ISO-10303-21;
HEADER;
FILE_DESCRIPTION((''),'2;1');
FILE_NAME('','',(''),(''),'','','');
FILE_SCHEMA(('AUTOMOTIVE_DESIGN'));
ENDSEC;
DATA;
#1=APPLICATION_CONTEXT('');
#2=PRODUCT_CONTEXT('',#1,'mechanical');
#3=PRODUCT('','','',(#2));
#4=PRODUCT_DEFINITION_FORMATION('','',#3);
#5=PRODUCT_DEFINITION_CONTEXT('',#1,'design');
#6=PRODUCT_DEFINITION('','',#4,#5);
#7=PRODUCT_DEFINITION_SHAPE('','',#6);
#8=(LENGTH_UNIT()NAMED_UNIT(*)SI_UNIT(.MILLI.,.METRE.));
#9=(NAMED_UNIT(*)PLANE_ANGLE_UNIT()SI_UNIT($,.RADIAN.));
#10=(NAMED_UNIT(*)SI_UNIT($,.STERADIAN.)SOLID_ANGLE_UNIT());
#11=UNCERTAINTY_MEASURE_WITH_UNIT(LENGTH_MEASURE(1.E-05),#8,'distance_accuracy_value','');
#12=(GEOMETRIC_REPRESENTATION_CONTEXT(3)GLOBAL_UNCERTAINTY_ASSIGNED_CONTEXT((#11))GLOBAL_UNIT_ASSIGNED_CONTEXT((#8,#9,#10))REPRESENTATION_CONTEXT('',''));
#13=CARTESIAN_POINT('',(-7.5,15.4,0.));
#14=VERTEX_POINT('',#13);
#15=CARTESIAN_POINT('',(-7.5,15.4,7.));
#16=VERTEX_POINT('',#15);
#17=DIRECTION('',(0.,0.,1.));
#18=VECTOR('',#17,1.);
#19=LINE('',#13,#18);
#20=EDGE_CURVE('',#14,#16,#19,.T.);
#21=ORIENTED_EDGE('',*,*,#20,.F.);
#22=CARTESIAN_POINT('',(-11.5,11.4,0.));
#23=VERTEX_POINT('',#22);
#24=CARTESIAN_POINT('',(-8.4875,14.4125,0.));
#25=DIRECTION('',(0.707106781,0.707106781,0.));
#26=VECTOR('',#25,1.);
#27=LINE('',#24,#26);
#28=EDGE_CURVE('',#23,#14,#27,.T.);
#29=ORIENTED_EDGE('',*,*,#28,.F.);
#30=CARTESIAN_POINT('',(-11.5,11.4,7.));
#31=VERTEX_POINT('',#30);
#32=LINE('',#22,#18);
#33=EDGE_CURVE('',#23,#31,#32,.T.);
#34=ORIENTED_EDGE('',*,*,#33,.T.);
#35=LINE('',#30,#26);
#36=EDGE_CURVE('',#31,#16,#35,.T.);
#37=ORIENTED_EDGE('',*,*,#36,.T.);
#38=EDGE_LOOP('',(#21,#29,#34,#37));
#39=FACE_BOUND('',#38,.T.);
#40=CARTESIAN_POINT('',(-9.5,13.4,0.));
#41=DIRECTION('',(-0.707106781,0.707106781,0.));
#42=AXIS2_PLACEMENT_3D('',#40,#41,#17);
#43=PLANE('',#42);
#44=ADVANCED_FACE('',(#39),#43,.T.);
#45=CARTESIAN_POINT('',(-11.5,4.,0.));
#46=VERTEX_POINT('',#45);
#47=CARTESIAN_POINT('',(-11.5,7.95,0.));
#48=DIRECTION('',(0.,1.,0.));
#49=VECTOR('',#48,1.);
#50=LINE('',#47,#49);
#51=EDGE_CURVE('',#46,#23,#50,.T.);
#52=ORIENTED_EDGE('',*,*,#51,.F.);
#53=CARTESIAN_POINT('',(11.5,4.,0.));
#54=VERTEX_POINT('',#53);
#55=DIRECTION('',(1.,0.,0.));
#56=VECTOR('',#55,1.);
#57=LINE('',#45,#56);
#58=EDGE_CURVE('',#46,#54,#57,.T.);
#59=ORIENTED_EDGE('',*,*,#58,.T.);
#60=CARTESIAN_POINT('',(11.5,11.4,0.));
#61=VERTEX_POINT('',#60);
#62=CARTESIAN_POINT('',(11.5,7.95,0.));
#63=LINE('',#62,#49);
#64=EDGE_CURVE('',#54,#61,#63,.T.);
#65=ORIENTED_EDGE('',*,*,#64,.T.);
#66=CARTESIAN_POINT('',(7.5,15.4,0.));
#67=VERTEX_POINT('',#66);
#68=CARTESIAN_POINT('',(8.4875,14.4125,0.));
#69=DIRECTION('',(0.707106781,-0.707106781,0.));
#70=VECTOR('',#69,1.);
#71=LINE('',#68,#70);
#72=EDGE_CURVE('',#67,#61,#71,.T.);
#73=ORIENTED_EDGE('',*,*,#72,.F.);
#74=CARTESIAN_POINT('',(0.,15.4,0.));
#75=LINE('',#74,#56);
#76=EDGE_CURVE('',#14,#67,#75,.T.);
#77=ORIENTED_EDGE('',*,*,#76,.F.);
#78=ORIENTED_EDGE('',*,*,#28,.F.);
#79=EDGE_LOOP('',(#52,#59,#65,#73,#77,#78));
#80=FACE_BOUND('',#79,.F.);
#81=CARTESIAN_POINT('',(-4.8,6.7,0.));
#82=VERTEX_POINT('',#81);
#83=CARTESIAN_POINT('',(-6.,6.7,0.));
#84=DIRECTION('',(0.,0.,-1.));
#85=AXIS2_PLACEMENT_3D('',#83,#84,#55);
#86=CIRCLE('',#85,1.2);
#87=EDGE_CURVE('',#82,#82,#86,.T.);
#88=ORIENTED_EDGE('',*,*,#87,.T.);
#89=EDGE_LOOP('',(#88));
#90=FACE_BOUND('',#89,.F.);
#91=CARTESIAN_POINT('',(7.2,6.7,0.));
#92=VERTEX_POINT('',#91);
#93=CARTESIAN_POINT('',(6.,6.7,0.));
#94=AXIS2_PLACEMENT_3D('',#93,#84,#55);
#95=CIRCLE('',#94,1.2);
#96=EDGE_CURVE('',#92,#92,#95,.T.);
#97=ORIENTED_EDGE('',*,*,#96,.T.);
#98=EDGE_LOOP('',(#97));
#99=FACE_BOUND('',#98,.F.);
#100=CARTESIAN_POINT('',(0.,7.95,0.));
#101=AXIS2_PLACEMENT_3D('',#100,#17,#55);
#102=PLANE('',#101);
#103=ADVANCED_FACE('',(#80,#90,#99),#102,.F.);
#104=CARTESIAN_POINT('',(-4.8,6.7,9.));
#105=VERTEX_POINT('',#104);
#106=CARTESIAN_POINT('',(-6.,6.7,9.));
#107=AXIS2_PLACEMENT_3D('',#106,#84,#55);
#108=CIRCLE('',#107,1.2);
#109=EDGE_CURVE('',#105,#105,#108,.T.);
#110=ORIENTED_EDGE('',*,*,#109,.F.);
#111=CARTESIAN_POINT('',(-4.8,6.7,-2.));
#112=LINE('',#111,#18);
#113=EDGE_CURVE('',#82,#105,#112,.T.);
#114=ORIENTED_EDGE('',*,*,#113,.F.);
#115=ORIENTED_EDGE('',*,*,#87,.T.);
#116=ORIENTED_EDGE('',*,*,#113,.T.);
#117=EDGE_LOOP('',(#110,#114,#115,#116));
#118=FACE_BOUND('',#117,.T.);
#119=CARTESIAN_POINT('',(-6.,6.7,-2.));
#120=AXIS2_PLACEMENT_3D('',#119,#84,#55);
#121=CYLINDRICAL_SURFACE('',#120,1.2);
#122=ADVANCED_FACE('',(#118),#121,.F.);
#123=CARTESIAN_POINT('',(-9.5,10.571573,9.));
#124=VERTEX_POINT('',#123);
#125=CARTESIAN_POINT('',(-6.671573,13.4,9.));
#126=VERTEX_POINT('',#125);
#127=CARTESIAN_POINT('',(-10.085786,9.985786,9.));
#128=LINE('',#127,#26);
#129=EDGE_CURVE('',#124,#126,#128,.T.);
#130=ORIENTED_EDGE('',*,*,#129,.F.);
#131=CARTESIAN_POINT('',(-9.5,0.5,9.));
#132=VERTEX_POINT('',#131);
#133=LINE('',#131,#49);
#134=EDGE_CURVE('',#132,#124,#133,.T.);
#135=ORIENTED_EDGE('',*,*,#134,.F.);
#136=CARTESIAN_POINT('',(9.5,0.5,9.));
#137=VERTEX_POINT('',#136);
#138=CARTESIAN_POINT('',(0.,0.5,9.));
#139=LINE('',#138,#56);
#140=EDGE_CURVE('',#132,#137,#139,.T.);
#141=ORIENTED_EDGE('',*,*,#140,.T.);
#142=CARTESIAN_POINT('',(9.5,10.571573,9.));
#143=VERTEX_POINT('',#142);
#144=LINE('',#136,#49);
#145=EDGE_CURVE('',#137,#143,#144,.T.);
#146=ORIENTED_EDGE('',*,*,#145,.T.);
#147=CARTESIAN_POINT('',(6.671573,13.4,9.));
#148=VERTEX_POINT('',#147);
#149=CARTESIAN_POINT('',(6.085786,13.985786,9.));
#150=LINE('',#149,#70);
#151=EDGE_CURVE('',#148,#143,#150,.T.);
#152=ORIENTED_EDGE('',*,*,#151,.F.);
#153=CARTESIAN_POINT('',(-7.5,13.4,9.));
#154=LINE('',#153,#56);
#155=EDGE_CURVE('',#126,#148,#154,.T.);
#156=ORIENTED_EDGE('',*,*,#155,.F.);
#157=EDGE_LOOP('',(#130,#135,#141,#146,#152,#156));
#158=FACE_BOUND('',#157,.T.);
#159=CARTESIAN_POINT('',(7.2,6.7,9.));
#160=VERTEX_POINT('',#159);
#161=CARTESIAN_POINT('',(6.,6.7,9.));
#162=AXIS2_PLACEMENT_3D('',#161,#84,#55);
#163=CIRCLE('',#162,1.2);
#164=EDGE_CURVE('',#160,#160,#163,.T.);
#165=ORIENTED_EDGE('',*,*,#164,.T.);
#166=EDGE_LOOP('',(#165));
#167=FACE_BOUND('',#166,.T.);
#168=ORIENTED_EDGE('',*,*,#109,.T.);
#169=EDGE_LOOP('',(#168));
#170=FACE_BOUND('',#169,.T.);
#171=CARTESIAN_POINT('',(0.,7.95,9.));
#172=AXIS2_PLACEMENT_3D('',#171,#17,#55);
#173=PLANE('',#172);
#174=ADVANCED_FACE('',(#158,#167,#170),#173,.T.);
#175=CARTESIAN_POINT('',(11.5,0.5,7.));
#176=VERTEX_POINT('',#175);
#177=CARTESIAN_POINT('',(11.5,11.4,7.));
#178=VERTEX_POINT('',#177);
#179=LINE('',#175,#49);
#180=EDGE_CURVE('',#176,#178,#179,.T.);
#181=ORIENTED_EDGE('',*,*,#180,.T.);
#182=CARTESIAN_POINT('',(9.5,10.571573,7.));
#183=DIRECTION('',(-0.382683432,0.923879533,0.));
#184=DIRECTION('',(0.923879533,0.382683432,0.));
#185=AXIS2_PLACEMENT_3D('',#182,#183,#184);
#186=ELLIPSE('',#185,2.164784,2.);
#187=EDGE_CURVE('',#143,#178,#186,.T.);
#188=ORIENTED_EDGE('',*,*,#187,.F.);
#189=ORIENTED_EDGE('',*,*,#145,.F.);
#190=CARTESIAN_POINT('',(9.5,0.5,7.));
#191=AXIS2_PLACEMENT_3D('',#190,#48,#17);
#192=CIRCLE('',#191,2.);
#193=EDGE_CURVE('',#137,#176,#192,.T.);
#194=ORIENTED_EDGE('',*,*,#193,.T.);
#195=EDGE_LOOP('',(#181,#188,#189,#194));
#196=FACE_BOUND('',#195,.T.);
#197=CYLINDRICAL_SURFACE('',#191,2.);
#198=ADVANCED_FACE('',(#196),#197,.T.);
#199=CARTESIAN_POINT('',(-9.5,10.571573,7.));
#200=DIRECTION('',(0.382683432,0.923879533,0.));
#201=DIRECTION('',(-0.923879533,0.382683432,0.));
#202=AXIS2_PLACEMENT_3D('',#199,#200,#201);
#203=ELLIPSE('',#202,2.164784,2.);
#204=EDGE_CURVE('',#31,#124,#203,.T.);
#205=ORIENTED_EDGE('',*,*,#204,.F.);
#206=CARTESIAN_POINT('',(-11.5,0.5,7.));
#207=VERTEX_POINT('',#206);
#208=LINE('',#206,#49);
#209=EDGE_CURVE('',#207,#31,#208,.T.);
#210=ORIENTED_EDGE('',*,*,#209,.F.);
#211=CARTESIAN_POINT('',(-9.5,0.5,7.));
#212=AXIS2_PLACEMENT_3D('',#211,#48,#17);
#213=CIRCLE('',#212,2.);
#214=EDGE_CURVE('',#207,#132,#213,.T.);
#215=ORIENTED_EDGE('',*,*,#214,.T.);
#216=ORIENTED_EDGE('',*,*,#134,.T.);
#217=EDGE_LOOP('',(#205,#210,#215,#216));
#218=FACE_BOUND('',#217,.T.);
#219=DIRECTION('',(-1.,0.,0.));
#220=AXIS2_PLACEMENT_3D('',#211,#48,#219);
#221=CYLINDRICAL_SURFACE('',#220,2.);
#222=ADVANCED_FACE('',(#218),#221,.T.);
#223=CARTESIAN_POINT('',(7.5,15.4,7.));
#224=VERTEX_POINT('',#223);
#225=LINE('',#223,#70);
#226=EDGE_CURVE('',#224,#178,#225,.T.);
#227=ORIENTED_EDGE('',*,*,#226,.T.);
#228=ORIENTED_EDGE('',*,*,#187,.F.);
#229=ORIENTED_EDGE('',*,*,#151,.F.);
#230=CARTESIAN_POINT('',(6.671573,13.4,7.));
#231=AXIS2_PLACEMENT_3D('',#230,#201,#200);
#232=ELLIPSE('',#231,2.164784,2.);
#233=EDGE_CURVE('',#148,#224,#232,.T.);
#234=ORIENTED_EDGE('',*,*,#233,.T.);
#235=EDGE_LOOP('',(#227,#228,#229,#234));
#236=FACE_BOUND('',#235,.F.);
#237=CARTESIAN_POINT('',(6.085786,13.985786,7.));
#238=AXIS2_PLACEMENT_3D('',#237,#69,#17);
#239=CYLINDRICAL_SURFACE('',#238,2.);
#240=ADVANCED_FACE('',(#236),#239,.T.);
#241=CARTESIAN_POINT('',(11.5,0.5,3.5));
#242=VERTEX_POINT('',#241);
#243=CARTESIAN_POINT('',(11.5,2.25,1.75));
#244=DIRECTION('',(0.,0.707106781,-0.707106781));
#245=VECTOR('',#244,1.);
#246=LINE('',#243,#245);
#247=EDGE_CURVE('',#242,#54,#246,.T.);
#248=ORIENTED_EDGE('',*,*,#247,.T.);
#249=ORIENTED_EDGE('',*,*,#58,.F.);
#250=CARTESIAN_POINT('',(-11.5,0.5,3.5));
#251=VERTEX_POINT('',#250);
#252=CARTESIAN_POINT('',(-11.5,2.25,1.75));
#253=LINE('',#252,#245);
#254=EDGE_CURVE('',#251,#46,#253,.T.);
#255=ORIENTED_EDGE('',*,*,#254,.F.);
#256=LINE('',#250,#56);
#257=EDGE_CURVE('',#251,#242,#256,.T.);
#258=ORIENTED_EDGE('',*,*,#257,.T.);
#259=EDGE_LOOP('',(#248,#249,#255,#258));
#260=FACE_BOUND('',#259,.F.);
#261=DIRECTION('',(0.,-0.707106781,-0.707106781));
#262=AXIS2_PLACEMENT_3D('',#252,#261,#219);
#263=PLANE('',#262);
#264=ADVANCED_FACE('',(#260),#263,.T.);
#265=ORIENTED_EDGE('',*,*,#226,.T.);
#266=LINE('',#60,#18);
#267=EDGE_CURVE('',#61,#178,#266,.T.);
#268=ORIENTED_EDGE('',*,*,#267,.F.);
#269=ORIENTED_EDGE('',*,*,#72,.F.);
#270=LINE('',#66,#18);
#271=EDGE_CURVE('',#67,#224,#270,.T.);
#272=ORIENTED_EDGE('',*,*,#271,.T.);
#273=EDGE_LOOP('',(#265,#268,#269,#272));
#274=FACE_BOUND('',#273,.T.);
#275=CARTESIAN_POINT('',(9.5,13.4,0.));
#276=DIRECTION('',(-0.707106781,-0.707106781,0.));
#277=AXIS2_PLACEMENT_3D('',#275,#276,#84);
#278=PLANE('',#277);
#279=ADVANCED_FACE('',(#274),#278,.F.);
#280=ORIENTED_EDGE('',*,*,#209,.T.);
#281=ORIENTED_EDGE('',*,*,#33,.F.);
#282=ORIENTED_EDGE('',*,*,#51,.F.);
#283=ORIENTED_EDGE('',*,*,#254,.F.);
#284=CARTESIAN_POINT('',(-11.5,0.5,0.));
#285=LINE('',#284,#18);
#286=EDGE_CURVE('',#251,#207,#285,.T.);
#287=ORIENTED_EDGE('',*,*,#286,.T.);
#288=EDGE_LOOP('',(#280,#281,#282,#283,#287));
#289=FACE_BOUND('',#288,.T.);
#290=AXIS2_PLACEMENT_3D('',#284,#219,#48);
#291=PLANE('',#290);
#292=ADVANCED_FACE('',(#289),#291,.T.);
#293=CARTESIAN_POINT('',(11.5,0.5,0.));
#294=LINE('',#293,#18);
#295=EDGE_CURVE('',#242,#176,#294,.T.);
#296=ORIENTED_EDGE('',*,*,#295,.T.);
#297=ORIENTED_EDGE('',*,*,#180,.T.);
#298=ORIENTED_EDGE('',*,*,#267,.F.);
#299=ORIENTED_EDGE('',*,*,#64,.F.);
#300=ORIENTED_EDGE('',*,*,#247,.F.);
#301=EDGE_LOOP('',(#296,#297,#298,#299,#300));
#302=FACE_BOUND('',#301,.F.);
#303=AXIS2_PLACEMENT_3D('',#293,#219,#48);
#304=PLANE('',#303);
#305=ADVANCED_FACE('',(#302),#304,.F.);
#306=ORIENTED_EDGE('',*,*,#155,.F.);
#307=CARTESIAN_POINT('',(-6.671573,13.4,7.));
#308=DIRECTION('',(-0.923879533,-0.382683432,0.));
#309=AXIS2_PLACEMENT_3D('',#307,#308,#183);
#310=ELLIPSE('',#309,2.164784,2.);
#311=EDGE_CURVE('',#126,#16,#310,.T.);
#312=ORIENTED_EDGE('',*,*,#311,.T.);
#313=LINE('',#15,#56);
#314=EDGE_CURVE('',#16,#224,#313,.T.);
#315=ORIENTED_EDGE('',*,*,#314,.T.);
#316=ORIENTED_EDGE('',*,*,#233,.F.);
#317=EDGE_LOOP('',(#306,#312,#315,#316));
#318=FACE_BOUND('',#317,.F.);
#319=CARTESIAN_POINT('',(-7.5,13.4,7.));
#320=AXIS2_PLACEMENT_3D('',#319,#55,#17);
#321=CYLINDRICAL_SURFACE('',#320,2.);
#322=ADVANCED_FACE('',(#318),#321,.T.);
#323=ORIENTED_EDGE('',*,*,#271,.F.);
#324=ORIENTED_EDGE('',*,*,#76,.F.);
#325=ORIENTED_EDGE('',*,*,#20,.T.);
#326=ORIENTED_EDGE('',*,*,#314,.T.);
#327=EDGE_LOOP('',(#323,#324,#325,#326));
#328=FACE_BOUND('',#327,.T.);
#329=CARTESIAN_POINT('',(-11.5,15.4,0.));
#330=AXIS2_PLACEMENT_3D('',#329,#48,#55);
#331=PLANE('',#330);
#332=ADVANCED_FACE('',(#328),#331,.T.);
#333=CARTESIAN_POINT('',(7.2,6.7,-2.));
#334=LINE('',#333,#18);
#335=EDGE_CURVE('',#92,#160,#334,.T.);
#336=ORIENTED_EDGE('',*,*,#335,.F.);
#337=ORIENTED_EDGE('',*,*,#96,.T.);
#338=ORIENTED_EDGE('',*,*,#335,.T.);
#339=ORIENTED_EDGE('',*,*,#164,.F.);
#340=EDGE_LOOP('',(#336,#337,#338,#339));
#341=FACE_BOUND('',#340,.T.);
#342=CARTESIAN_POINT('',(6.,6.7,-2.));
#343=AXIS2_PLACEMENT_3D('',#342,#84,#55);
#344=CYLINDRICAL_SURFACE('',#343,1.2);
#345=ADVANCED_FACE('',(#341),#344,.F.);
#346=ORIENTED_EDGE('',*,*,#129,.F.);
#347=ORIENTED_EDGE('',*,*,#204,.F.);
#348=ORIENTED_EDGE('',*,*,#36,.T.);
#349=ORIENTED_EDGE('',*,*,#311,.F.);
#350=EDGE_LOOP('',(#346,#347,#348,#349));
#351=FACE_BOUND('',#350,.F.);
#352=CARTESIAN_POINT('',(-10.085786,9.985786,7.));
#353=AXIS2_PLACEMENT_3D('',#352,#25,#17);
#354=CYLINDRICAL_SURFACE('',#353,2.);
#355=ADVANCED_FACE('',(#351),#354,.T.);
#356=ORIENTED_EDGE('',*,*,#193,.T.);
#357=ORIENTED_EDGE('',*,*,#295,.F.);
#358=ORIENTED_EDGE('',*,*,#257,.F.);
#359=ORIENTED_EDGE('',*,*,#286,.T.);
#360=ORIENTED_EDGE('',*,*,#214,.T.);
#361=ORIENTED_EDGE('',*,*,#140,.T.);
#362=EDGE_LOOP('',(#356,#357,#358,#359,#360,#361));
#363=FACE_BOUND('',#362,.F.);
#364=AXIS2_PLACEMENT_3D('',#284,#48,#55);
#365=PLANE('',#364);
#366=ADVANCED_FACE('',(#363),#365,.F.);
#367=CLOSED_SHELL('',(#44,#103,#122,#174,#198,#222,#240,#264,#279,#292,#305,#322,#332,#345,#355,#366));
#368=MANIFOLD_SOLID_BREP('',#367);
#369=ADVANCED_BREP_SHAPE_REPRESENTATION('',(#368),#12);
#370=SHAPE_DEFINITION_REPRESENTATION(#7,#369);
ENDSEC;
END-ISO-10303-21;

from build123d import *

# Parameters (mm, degrees)
CYLINDER010_R     = 1.2
CYLINDER010_DEPTH = 28
CYLINDER011_R     = 1.2
CYLINDER011_DEPTH = 28
BOX_W             = 23
BOX_H             = 14.9
BOX_DEPTH         = 9
CHAMFER005_SIZE   = 3.5
CHAMFER006_SIZE   = 4
FILLET_R          = 2


with BuildPart() as cylinder010:
    # Cylinder010 → Cylinder010 (new body)
    with BuildSketch(Plane(origin=(-6, 6.7, 0), x_dir=(1, 0, 0), z_dir=(0, 0, 1))):
        Circle(CYLINDER010_R)
    extrude(amount=CYLINDER010_DEPTH)


with BuildPart() as fusion004003:
    # Cylinder011 → Cylinder011 (new body)
    with BuildSketch(Plane(origin=(6, 6.7, 0), x_dir=(1, 0, 0), z_dir=(0, 0, 1))):
        Circle(CYLINDER011_R)
    extrude(amount=CYLINDER011_DEPTH)

    # Fusion004003: union Cylinder010
    add(cylinder010.part)


with BuildPart() as fusion004003_1:
    # Fusion004003 placement: moved
    add(fusion004003.part.moved(Location((0, 0, -2))))


with BuildPart() as top_rf:
    # Box → Box (new body)
    with BuildSketch(Plane(origin=(-11.5, 0.5, 0), x_dir=(1, 0, 0), z_dir=(0, 0, 1))):
        with Locations((11.5, 7.45)):
            Rectangle(BOX_W, BOX_H)
    extrude(amount=BOX_DEPTH)

    # Chamfer005
    chamfer005_edges = [top_rf.edges().sort_by_distance(p)[0] for p in [
        (0, 0.5, 0),
    ]]
    chamfer(chamfer005_edges, length=CHAMFER005_SIZE)

    # Chamfer006
    chamfer006_edges = [top_rf.edges().sort_by_distance(p)[0] for p in [
        (-11.5, 15.4, 4.5),
        (11.5, 15.4, 4.5),
    ]]
    chamfer(chamfer006_edges, length=CHAMFER006_SIZE)

    # Fillet
    fillet_edges = [top_rf.edges().sort_by_distance(p)[0] for p in [
        (-11.5, 5.95, 9),
        (-9.5, 13.4, 9),
        (0, 15.4, 9),
        (11.5, 5.95, 9),
        (9.5, 13.4, 9),
    ]]
    fillet(fillet_edges, radius=FILLET_R)

    # Cut: cut Fusion004003
    add(fusion004003_1.part, mode=Mode.SUBTRACT)


solid = top_rf.part
